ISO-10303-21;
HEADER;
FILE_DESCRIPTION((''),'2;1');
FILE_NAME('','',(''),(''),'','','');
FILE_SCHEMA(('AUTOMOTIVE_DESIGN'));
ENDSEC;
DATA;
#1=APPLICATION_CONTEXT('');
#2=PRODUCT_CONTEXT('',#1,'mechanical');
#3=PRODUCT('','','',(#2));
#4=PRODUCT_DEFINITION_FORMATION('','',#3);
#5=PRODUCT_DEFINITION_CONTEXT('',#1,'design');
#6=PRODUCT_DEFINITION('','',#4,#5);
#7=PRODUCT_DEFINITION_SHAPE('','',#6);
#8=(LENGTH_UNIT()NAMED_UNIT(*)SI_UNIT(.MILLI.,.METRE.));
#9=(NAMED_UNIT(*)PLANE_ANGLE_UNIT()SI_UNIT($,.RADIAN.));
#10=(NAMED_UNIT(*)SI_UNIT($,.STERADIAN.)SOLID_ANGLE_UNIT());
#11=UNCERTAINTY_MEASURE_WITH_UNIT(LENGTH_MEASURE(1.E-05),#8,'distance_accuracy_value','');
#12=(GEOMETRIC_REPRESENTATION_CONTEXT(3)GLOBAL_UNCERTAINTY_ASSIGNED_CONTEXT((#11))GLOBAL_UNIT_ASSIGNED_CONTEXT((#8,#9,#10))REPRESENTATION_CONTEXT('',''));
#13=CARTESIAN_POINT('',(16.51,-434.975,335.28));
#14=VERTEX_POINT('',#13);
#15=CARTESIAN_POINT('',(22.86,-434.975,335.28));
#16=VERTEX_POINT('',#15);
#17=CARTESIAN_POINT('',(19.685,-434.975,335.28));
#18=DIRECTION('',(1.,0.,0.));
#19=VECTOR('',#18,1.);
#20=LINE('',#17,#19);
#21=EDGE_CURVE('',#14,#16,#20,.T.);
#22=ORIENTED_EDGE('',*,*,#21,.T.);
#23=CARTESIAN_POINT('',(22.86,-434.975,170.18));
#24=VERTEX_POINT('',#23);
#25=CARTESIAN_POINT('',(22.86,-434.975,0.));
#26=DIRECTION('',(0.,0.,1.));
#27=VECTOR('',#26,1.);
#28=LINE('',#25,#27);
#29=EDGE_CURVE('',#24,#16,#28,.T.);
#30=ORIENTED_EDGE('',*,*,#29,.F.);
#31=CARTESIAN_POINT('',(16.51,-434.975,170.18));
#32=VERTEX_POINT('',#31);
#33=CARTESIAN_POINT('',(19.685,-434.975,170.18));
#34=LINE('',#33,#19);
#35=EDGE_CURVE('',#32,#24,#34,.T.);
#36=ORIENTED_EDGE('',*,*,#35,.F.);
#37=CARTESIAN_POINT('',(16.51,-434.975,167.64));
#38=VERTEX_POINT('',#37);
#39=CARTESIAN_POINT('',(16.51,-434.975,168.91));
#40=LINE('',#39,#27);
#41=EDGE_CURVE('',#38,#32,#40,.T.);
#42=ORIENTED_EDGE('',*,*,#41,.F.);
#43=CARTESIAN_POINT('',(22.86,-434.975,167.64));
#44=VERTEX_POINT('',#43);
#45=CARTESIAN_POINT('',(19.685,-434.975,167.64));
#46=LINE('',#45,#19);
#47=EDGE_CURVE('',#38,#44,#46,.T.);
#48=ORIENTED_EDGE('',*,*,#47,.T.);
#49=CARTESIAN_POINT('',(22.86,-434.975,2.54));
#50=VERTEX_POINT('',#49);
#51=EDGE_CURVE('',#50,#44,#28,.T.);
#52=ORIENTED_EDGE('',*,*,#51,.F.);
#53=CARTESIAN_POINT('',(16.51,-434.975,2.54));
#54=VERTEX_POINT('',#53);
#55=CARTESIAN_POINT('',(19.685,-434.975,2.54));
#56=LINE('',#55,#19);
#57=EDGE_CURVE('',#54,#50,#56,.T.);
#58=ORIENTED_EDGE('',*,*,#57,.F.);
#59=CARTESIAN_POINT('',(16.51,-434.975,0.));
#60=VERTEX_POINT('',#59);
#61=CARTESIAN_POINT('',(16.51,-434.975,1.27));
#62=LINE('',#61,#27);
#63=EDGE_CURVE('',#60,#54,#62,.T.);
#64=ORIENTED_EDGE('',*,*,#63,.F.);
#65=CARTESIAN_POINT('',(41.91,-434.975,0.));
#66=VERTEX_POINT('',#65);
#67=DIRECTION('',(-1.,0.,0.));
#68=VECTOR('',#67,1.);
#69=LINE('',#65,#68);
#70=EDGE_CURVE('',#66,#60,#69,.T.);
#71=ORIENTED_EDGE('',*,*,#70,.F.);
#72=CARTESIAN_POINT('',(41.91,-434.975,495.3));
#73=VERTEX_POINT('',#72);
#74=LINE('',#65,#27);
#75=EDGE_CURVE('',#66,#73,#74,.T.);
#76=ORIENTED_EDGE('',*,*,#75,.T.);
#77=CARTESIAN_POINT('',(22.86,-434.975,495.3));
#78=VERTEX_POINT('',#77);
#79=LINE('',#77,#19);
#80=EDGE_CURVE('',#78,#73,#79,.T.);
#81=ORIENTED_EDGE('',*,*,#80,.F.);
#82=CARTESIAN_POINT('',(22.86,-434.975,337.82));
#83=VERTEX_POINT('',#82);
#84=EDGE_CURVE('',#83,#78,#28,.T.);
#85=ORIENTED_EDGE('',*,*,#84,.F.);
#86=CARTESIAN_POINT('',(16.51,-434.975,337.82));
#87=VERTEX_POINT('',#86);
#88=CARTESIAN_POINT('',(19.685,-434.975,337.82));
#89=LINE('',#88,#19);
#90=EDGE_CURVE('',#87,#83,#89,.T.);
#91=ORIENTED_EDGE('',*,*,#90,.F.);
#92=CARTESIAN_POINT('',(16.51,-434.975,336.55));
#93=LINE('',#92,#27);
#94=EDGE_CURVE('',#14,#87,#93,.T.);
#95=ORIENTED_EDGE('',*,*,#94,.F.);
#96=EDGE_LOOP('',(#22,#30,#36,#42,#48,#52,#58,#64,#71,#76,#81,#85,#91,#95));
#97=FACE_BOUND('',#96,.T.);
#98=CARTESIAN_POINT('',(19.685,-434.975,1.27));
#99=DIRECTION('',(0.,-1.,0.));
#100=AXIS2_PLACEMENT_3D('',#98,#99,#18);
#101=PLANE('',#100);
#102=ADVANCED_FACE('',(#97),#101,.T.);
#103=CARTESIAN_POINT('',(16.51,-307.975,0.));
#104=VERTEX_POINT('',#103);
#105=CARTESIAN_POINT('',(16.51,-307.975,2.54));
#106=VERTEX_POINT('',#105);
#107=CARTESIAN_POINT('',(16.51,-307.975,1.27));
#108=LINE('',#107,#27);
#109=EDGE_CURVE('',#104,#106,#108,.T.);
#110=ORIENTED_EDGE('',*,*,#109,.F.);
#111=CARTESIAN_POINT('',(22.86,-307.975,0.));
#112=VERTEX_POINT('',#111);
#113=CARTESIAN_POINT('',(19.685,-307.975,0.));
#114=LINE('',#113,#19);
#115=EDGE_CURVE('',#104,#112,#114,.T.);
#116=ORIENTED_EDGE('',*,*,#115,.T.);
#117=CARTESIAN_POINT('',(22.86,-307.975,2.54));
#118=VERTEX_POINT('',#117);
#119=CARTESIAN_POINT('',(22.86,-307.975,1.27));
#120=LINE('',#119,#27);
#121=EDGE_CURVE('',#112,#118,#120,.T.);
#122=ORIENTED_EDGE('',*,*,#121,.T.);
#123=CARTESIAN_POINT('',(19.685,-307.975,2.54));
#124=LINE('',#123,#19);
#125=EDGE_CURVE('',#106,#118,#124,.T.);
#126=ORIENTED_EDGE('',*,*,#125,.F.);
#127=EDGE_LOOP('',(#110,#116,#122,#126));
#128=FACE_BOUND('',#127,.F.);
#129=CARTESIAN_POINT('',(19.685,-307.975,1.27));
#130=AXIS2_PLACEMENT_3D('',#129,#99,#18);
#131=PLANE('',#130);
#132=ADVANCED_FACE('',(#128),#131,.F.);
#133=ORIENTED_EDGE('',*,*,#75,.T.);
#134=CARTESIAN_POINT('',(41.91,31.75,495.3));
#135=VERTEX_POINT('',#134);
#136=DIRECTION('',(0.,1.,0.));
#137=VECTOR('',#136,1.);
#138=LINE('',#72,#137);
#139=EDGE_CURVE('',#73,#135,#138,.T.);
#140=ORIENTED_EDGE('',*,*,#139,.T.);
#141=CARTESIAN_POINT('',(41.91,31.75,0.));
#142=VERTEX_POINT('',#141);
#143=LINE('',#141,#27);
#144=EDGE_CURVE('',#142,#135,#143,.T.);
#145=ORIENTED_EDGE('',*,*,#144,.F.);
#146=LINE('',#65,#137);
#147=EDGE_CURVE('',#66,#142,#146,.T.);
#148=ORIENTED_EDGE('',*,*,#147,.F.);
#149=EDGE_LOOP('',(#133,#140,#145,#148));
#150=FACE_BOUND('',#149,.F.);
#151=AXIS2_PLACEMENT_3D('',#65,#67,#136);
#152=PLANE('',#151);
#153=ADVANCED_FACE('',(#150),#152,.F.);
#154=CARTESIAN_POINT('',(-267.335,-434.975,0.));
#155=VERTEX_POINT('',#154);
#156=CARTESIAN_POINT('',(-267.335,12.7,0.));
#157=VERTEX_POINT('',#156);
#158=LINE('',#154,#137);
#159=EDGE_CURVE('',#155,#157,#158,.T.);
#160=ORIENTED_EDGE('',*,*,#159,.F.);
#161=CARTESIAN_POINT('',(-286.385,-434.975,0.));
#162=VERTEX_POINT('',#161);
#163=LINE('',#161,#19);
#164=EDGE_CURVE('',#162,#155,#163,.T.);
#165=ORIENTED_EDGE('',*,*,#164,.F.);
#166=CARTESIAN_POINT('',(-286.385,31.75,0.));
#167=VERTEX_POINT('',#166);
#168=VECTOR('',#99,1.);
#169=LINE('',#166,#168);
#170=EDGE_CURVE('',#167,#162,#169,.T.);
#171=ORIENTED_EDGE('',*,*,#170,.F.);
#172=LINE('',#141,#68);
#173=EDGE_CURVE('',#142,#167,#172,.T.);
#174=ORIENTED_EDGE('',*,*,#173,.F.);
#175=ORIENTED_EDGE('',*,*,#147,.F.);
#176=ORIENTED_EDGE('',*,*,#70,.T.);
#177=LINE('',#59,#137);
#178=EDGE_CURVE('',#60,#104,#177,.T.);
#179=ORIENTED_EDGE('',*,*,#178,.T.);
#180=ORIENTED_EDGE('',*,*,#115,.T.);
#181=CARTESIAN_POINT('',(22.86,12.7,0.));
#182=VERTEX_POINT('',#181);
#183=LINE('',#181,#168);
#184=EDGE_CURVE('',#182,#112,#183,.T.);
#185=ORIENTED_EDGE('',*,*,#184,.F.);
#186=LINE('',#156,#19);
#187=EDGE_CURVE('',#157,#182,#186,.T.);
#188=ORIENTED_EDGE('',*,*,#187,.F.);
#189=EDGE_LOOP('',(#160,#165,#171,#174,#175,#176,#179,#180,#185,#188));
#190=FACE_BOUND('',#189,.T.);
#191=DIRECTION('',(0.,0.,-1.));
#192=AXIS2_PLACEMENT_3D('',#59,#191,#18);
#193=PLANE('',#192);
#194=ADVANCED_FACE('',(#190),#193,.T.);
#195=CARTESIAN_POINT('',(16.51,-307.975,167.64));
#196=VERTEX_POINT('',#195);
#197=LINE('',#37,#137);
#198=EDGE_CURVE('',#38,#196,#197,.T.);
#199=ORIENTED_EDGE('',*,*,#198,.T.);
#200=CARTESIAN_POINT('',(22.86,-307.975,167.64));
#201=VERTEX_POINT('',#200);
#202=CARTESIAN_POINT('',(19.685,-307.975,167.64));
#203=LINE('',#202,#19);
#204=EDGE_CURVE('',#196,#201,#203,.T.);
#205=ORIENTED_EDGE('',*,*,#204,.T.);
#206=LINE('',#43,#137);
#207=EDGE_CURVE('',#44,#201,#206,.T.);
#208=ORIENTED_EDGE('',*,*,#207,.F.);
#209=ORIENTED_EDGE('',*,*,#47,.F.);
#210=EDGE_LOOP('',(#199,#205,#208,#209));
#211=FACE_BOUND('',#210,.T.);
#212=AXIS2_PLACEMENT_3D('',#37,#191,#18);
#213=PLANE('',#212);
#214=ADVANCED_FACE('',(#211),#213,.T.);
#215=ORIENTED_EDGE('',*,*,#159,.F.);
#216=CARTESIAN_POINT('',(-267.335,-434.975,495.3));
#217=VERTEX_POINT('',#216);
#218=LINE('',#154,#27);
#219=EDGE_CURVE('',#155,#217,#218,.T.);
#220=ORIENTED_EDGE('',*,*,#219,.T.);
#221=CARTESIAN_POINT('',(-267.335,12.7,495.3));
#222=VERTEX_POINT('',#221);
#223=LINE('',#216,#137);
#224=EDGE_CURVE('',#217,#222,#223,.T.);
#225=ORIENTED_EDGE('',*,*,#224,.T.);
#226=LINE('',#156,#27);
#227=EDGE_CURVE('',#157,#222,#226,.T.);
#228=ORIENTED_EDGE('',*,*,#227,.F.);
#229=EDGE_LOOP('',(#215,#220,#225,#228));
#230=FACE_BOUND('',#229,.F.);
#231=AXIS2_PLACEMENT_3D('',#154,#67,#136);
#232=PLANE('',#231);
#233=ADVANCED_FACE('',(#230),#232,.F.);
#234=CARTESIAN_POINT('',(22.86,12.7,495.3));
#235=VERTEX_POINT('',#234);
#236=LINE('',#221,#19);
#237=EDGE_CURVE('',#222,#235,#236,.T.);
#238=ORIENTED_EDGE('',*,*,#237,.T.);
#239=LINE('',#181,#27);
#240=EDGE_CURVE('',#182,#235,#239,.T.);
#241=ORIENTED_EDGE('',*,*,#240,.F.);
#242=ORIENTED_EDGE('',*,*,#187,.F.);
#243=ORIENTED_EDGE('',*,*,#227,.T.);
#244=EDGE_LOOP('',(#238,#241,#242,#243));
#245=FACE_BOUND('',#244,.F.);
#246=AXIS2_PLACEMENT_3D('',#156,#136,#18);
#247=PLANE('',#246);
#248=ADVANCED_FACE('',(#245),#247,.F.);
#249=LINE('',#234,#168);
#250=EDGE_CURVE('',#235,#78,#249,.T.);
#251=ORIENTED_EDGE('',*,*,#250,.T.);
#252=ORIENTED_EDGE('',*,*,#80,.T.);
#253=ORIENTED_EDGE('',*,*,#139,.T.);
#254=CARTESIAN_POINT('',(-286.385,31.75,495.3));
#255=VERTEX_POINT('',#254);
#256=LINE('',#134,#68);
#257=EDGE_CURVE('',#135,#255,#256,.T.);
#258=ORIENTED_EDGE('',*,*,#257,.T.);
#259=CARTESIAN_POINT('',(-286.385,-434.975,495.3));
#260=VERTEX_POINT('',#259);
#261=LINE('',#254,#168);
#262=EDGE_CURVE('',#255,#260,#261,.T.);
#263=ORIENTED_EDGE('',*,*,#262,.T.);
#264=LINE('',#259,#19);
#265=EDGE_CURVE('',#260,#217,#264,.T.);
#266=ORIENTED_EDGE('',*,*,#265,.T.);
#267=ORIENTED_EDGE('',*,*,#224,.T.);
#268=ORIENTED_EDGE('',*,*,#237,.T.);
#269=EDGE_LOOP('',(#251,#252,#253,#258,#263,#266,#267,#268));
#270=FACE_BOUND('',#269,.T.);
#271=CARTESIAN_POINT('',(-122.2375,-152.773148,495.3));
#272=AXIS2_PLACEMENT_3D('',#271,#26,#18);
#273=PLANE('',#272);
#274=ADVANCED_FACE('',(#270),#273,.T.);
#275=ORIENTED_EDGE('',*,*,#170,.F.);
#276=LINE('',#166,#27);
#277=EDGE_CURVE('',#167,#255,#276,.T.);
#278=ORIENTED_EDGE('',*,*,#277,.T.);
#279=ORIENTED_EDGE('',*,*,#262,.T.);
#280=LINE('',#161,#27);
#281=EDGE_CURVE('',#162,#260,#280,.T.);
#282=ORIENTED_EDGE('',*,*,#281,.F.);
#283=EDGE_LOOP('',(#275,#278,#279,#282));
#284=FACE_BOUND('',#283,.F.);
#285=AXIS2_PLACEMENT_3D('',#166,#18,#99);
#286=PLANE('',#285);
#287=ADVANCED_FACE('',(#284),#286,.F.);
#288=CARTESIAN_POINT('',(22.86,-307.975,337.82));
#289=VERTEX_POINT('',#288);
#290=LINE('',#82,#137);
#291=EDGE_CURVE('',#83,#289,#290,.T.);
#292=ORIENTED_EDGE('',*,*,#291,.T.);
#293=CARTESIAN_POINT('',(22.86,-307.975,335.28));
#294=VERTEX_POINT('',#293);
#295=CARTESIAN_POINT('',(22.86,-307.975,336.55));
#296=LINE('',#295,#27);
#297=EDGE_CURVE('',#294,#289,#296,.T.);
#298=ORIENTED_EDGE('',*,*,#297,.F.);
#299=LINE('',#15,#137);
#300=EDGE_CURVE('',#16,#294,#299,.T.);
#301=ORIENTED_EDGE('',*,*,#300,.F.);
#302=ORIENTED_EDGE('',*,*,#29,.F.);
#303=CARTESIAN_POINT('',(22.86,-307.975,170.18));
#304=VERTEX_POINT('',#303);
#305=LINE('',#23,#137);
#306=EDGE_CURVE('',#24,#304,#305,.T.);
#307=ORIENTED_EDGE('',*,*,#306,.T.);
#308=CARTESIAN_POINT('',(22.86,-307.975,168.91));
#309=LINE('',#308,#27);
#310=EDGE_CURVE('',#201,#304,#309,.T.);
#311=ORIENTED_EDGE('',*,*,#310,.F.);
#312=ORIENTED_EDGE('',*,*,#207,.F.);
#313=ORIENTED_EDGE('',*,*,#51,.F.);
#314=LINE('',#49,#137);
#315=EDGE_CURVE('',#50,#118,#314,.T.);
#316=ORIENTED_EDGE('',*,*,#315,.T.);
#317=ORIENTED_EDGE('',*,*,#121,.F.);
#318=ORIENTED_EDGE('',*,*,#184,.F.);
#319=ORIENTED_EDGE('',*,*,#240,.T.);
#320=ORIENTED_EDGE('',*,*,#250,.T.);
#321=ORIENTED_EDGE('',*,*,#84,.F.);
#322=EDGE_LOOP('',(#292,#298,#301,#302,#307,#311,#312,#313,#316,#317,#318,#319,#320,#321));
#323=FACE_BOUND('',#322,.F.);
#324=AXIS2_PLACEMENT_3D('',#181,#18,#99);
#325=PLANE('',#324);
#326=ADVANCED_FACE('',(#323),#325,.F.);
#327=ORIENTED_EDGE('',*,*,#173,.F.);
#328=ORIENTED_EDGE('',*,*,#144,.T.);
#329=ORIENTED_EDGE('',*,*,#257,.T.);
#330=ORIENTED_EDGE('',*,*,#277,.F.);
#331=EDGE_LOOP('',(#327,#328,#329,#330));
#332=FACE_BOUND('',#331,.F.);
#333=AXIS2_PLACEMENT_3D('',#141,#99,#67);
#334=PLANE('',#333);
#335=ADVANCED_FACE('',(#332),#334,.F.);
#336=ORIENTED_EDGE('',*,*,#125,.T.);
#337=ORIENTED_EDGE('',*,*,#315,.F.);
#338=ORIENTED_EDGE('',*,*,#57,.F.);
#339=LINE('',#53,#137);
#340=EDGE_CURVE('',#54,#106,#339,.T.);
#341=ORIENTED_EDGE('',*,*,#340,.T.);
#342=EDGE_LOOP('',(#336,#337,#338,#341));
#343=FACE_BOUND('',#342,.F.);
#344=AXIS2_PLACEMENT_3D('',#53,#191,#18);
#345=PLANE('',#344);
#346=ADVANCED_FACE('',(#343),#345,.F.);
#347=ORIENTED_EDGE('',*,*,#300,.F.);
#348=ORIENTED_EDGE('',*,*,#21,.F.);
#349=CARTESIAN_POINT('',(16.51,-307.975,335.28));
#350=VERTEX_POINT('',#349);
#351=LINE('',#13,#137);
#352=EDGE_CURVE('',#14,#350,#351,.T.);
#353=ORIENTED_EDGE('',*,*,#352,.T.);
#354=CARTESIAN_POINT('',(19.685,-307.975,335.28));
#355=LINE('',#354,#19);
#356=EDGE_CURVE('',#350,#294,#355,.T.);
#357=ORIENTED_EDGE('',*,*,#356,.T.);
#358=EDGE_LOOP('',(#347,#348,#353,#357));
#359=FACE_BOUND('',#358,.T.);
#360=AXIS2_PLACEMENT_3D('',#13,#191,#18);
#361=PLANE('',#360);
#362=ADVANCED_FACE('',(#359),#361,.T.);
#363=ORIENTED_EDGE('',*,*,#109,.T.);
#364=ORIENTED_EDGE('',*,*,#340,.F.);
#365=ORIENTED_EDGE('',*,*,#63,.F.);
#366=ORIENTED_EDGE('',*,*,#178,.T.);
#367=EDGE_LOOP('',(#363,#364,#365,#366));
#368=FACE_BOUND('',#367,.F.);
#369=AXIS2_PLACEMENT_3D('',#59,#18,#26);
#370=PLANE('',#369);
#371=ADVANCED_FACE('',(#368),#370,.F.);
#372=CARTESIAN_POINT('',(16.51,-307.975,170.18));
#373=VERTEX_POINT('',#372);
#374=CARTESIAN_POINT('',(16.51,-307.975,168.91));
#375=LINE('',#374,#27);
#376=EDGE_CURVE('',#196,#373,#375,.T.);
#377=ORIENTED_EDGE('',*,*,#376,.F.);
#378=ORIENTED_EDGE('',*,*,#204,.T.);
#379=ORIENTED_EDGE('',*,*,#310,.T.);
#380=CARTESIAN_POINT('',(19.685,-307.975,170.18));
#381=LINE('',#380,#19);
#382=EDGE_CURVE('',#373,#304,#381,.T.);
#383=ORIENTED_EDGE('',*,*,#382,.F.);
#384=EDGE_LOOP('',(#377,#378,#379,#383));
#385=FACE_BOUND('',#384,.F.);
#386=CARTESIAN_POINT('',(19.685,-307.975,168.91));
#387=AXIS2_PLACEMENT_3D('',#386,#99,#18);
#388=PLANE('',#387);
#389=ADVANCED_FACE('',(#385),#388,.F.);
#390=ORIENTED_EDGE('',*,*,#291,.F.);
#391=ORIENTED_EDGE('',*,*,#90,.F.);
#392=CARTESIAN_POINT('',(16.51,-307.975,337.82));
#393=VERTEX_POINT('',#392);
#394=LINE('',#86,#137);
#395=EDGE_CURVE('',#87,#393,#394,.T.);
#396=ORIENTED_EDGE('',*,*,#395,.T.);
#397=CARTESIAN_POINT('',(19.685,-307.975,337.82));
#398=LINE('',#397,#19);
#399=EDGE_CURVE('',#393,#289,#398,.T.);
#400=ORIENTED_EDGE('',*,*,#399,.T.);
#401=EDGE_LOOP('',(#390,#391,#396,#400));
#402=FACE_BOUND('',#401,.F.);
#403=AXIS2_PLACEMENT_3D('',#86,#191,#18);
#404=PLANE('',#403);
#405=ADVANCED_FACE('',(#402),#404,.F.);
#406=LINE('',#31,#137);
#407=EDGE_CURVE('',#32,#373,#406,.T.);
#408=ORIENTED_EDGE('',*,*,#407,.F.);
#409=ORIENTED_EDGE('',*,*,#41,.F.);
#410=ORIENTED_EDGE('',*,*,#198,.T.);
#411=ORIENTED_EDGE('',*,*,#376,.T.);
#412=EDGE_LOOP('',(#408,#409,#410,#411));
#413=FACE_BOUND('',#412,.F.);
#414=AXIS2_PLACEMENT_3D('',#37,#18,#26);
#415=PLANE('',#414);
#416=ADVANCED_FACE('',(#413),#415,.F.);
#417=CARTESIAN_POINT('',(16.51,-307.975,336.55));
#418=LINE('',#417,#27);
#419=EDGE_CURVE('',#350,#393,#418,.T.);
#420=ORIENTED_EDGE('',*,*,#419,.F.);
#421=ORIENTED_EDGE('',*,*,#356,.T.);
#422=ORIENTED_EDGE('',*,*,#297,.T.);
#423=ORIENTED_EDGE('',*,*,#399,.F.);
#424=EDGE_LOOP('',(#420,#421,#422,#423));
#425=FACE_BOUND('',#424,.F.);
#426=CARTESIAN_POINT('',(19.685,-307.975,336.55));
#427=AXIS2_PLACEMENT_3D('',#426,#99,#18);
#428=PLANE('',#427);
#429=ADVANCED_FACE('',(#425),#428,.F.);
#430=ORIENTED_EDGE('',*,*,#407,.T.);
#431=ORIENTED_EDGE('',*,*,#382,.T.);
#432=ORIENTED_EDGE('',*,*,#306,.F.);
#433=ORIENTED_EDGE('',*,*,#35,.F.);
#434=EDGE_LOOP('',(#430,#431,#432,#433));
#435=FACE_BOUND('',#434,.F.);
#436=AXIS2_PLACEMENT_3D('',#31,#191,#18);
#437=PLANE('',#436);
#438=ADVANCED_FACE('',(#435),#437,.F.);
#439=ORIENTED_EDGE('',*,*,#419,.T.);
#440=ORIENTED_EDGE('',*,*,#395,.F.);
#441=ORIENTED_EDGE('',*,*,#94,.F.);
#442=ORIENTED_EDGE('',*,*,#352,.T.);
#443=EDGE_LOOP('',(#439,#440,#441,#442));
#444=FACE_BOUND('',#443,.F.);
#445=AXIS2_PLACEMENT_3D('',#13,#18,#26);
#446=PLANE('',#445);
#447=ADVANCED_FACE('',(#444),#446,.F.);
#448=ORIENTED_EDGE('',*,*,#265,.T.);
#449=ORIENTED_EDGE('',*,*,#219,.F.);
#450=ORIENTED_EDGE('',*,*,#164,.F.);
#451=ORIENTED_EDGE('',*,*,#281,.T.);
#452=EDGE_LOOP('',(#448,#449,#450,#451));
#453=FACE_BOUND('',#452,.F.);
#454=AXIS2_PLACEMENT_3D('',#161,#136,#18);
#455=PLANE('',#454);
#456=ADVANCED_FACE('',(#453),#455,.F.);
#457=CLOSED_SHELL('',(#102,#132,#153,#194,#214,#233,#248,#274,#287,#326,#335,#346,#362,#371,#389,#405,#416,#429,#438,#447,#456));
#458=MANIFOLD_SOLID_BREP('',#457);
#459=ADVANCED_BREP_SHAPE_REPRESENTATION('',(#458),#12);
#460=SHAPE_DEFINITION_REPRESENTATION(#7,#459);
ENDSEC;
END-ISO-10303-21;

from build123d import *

# Parameters (mm, degrees)
F1_DEPTH = 495.3
F2_W     = 6.35
F2_H     = 2.54
F3_DEPTH = 127


with BuildPart() as f1:
    # F0 (on Top) → F1 (new body)
    with BuildSketch(Plane.XY):
        Polygon((-257.175, 12.7), (12.7, 12.7), (22.86, 12.7), (22.86, -434.975), (41.91, -434.975), (41.91, 31.75), (-286.385, 31.75), (-286.385, -434.975), (-267.335, -434.975), (-267.335, 12.7), align=None)
    extrude(amount=F1_DEPTH)

    # F2 (on face) → F3 (join)
    with BuildSketch(Plane.XZ.offset(434.975)):
        with Locations((19.685, 1.27)):
            Rectangle(F2_W, F2_H)
        with Locations((19.685, 168.91)):
            Rectangle(F2_W, F2_H)
        with Locations((19.685, 336.55)):
            Rectangle(F2_W, F2_H)
    extrude(amount=-F3_DEPTH)


solid = f1.part
